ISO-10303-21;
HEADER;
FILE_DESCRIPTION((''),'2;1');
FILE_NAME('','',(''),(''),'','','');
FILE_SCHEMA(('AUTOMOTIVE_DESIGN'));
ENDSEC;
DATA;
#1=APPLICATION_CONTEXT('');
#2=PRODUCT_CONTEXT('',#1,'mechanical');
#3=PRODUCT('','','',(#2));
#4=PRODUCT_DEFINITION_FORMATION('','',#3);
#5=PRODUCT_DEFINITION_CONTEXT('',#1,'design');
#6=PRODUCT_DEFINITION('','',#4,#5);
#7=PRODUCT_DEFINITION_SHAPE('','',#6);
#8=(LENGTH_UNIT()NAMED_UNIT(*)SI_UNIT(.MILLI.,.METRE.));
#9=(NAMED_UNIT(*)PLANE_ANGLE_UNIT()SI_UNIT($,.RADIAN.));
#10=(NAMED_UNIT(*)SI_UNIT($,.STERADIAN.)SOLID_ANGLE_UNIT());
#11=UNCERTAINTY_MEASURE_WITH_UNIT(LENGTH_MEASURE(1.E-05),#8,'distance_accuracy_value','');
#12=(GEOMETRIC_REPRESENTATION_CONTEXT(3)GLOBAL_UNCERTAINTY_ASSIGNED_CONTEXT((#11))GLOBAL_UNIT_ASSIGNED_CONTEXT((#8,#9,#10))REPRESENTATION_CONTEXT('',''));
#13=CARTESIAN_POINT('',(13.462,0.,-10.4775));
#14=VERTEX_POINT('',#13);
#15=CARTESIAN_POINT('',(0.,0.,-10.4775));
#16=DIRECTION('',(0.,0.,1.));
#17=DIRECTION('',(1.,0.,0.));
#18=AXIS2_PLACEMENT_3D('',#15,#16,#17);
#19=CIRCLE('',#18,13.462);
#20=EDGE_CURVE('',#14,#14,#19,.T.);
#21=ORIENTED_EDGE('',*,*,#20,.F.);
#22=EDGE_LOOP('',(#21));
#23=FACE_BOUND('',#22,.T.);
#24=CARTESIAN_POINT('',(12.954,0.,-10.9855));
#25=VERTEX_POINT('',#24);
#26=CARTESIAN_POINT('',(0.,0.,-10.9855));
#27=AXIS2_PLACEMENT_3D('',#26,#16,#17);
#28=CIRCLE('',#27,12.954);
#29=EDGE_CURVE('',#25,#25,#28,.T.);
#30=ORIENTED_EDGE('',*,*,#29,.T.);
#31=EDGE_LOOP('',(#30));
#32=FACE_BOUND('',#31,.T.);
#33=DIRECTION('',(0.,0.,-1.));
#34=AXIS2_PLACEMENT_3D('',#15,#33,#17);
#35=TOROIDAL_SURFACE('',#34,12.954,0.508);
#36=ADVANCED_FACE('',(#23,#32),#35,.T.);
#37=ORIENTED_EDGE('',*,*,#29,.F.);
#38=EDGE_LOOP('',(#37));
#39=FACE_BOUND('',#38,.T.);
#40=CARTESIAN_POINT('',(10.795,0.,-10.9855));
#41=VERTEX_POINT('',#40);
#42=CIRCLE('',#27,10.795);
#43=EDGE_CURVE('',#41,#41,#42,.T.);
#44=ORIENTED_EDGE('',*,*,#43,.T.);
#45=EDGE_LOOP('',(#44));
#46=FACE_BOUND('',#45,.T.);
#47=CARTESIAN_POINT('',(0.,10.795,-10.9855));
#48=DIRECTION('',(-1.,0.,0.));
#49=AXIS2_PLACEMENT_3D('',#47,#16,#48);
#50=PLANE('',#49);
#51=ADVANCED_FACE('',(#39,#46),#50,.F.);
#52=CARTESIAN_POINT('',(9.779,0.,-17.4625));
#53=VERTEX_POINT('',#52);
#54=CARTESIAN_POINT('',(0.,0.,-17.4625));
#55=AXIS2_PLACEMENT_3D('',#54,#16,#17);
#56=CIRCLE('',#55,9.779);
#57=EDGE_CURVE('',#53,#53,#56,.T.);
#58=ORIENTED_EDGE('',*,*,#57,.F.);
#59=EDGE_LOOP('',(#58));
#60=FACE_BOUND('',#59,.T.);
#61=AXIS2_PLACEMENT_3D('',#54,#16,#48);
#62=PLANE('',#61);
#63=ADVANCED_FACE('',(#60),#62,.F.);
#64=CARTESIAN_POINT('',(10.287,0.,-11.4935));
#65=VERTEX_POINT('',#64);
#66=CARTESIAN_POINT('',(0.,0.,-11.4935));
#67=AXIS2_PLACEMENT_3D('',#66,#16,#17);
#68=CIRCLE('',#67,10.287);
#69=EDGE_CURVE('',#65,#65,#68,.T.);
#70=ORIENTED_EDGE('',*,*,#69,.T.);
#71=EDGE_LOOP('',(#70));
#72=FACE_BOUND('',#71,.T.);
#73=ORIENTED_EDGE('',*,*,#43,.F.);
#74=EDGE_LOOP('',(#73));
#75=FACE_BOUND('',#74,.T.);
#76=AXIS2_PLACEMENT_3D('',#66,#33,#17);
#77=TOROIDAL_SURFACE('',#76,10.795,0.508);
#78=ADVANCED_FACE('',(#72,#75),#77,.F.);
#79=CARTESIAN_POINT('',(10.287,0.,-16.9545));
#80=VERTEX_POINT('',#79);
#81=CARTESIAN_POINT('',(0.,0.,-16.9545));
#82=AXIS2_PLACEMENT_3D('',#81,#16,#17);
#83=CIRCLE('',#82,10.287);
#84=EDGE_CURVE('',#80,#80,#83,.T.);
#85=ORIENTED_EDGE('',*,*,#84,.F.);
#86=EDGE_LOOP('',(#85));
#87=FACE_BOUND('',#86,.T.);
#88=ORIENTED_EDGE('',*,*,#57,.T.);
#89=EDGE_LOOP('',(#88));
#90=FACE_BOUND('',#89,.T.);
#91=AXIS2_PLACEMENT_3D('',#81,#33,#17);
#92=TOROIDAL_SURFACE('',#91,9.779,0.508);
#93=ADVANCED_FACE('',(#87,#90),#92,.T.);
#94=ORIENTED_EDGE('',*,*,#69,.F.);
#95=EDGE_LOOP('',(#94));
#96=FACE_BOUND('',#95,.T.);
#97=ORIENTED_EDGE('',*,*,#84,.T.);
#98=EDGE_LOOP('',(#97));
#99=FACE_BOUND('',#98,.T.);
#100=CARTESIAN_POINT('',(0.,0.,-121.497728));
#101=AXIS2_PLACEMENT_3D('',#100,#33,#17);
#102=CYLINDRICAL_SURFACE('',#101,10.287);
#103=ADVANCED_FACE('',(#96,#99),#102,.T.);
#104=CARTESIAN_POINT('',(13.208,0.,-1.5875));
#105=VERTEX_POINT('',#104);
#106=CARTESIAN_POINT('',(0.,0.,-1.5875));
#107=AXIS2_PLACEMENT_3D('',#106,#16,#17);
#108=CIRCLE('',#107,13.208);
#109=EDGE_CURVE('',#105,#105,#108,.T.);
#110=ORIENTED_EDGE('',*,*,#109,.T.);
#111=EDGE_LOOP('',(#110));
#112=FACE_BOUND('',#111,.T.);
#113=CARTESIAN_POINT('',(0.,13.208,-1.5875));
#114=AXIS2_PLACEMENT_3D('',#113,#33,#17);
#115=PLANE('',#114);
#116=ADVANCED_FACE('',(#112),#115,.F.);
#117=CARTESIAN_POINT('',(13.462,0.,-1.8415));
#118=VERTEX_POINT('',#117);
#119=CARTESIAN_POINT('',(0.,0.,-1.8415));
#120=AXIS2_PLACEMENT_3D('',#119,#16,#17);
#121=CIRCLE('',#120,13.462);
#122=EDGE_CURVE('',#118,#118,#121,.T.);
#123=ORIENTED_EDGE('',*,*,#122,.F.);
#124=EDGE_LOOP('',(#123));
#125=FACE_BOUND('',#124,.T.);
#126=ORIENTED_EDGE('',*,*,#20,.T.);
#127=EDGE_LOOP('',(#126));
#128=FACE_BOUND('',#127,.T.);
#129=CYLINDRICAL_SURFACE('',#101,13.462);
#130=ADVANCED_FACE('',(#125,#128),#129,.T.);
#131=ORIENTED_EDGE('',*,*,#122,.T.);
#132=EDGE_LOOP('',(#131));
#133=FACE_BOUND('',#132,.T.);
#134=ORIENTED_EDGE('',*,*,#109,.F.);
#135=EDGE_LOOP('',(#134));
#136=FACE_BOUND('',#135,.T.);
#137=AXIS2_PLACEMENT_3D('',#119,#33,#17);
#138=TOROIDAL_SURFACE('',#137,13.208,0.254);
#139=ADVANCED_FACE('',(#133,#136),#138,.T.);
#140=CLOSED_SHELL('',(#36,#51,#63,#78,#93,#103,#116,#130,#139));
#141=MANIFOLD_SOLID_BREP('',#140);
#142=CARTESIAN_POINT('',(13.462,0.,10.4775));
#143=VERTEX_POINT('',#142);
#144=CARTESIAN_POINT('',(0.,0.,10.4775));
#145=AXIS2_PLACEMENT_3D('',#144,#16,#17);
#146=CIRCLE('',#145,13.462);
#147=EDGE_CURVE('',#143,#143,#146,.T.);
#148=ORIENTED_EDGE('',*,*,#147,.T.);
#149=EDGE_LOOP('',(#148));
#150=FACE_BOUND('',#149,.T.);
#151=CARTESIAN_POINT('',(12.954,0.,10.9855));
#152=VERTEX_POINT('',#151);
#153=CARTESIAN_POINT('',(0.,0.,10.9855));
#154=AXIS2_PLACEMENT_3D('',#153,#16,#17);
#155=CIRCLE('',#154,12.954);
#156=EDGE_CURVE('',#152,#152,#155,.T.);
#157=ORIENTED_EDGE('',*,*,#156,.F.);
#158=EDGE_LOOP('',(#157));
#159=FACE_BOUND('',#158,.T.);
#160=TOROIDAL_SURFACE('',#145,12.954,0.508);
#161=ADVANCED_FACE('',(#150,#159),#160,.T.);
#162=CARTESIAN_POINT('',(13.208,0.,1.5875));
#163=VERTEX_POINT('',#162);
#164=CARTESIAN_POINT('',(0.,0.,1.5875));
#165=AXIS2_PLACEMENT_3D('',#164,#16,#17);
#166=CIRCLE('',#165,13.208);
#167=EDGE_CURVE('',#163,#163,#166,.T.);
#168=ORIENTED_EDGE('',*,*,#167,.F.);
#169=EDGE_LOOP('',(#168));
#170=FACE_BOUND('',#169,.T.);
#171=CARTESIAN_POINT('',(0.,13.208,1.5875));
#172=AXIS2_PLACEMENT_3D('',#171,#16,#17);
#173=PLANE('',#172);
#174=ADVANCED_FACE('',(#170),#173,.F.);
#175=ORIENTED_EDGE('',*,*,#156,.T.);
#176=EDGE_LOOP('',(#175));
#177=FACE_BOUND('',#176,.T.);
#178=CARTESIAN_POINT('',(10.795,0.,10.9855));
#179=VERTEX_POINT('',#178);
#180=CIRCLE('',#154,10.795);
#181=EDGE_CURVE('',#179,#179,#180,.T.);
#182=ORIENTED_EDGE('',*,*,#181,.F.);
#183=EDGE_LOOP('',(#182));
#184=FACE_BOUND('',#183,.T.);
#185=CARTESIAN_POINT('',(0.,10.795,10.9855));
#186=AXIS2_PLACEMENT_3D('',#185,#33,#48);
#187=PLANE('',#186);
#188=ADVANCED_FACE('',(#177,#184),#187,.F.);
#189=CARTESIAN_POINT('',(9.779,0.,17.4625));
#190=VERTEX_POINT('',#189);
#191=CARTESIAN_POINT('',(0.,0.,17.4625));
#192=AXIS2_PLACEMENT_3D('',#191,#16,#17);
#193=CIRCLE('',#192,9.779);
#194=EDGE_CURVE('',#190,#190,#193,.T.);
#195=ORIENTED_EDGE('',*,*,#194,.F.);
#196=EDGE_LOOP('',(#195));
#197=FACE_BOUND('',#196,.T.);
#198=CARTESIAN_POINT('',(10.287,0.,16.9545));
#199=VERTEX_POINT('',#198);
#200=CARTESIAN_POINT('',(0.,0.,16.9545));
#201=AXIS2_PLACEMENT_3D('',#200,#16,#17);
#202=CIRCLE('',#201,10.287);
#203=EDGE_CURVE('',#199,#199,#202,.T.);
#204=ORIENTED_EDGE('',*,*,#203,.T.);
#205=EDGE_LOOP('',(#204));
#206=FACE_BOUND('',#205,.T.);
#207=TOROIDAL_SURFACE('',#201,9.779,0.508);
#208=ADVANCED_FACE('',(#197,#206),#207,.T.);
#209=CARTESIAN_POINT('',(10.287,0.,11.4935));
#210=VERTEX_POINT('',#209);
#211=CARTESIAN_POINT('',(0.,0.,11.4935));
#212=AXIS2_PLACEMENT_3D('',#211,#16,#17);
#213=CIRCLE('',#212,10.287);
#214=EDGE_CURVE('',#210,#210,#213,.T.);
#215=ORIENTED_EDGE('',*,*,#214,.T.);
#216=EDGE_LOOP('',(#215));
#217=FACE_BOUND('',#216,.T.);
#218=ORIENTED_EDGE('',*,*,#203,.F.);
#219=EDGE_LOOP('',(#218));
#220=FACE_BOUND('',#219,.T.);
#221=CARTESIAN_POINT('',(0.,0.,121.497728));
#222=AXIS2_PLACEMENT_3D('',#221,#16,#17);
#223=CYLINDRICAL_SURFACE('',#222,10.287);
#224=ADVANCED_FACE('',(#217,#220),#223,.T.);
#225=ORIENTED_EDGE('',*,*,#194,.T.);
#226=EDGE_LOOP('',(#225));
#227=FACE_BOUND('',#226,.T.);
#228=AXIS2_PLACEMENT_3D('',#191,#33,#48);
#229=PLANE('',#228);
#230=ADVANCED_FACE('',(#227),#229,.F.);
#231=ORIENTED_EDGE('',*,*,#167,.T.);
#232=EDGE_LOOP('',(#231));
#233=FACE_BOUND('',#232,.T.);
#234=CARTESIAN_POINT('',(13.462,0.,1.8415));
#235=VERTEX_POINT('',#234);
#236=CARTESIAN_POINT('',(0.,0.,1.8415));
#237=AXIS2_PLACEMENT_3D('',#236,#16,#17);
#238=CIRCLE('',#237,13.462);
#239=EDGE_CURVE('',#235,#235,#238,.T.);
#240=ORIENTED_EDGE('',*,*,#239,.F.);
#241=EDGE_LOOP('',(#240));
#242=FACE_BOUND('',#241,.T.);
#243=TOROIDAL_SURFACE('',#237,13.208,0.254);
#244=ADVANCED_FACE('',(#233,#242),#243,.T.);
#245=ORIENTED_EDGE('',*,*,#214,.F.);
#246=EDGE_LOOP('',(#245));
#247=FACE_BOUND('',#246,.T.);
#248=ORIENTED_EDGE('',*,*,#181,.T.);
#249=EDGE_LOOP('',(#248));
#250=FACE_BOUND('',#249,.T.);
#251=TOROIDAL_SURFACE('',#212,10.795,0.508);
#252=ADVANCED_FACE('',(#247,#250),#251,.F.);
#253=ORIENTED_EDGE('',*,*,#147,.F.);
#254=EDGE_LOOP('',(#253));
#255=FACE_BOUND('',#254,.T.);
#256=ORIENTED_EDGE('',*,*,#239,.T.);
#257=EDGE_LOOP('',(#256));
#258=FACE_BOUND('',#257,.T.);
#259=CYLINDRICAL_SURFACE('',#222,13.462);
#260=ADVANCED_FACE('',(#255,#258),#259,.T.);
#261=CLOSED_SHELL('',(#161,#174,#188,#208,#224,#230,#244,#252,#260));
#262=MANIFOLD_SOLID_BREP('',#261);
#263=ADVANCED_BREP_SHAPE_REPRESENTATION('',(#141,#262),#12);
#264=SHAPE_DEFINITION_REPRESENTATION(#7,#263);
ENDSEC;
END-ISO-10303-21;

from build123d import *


with BuildPart() as part:
    # Sketch1 → Revolve1 (revolve)
    with BuildSketch(Plane(origin=(0, 0, 0), x_dir=(0, 0, -1), z_dir=(1, 0, 0)), mode=Mode.PRIVATE) as revolve1_sk:
        with BuildLine():
            Line((-17.4625, 0), (-17.4625, 9.779))
            ThreePointArc((-17.4625, 9.779), (-17.313710245, 10.138210245), (-16.9545, 10.287))
            Line((-16.9545, 10.287), (-11.4935, 10.287))
            ThreePointArc((-11.4935, 10.287), (-11.134289755, 10.435789755), (-10.9855, 10.795))
            Line((-10.9855, 10.795), (-10.9855, 12.954))
            ThreePointArc((-10.9855, 12.954), (-10.836710245, 13.313210245), (-10.4775, 13.462))
            Line((-10.4775, 13.462), (-1.8415, 13.462))
            ThreePointArc((-1.8415, 13.462), (-1.661894878, 13.387605122), (-1.5875, 13.208))
            Line((-1.5875, 13.208), (-1.5875, 0))
            Line((-1.5875, 0), (-17.4625, 0))
        make_face()
    revolve(revolve1_sk.sketch.rotate(Axis((0, 0, 121.497728219), (0, 0, -1)), 90), axis=Axis((0, 0, 121.497728219), (0, 0, -1)))


with BuildPart() as body_2:
    # Mirror1: mirrored copy
    add(part.part.mirror(Plane.XY))


solid = Compound([part.part, body_2.part])
